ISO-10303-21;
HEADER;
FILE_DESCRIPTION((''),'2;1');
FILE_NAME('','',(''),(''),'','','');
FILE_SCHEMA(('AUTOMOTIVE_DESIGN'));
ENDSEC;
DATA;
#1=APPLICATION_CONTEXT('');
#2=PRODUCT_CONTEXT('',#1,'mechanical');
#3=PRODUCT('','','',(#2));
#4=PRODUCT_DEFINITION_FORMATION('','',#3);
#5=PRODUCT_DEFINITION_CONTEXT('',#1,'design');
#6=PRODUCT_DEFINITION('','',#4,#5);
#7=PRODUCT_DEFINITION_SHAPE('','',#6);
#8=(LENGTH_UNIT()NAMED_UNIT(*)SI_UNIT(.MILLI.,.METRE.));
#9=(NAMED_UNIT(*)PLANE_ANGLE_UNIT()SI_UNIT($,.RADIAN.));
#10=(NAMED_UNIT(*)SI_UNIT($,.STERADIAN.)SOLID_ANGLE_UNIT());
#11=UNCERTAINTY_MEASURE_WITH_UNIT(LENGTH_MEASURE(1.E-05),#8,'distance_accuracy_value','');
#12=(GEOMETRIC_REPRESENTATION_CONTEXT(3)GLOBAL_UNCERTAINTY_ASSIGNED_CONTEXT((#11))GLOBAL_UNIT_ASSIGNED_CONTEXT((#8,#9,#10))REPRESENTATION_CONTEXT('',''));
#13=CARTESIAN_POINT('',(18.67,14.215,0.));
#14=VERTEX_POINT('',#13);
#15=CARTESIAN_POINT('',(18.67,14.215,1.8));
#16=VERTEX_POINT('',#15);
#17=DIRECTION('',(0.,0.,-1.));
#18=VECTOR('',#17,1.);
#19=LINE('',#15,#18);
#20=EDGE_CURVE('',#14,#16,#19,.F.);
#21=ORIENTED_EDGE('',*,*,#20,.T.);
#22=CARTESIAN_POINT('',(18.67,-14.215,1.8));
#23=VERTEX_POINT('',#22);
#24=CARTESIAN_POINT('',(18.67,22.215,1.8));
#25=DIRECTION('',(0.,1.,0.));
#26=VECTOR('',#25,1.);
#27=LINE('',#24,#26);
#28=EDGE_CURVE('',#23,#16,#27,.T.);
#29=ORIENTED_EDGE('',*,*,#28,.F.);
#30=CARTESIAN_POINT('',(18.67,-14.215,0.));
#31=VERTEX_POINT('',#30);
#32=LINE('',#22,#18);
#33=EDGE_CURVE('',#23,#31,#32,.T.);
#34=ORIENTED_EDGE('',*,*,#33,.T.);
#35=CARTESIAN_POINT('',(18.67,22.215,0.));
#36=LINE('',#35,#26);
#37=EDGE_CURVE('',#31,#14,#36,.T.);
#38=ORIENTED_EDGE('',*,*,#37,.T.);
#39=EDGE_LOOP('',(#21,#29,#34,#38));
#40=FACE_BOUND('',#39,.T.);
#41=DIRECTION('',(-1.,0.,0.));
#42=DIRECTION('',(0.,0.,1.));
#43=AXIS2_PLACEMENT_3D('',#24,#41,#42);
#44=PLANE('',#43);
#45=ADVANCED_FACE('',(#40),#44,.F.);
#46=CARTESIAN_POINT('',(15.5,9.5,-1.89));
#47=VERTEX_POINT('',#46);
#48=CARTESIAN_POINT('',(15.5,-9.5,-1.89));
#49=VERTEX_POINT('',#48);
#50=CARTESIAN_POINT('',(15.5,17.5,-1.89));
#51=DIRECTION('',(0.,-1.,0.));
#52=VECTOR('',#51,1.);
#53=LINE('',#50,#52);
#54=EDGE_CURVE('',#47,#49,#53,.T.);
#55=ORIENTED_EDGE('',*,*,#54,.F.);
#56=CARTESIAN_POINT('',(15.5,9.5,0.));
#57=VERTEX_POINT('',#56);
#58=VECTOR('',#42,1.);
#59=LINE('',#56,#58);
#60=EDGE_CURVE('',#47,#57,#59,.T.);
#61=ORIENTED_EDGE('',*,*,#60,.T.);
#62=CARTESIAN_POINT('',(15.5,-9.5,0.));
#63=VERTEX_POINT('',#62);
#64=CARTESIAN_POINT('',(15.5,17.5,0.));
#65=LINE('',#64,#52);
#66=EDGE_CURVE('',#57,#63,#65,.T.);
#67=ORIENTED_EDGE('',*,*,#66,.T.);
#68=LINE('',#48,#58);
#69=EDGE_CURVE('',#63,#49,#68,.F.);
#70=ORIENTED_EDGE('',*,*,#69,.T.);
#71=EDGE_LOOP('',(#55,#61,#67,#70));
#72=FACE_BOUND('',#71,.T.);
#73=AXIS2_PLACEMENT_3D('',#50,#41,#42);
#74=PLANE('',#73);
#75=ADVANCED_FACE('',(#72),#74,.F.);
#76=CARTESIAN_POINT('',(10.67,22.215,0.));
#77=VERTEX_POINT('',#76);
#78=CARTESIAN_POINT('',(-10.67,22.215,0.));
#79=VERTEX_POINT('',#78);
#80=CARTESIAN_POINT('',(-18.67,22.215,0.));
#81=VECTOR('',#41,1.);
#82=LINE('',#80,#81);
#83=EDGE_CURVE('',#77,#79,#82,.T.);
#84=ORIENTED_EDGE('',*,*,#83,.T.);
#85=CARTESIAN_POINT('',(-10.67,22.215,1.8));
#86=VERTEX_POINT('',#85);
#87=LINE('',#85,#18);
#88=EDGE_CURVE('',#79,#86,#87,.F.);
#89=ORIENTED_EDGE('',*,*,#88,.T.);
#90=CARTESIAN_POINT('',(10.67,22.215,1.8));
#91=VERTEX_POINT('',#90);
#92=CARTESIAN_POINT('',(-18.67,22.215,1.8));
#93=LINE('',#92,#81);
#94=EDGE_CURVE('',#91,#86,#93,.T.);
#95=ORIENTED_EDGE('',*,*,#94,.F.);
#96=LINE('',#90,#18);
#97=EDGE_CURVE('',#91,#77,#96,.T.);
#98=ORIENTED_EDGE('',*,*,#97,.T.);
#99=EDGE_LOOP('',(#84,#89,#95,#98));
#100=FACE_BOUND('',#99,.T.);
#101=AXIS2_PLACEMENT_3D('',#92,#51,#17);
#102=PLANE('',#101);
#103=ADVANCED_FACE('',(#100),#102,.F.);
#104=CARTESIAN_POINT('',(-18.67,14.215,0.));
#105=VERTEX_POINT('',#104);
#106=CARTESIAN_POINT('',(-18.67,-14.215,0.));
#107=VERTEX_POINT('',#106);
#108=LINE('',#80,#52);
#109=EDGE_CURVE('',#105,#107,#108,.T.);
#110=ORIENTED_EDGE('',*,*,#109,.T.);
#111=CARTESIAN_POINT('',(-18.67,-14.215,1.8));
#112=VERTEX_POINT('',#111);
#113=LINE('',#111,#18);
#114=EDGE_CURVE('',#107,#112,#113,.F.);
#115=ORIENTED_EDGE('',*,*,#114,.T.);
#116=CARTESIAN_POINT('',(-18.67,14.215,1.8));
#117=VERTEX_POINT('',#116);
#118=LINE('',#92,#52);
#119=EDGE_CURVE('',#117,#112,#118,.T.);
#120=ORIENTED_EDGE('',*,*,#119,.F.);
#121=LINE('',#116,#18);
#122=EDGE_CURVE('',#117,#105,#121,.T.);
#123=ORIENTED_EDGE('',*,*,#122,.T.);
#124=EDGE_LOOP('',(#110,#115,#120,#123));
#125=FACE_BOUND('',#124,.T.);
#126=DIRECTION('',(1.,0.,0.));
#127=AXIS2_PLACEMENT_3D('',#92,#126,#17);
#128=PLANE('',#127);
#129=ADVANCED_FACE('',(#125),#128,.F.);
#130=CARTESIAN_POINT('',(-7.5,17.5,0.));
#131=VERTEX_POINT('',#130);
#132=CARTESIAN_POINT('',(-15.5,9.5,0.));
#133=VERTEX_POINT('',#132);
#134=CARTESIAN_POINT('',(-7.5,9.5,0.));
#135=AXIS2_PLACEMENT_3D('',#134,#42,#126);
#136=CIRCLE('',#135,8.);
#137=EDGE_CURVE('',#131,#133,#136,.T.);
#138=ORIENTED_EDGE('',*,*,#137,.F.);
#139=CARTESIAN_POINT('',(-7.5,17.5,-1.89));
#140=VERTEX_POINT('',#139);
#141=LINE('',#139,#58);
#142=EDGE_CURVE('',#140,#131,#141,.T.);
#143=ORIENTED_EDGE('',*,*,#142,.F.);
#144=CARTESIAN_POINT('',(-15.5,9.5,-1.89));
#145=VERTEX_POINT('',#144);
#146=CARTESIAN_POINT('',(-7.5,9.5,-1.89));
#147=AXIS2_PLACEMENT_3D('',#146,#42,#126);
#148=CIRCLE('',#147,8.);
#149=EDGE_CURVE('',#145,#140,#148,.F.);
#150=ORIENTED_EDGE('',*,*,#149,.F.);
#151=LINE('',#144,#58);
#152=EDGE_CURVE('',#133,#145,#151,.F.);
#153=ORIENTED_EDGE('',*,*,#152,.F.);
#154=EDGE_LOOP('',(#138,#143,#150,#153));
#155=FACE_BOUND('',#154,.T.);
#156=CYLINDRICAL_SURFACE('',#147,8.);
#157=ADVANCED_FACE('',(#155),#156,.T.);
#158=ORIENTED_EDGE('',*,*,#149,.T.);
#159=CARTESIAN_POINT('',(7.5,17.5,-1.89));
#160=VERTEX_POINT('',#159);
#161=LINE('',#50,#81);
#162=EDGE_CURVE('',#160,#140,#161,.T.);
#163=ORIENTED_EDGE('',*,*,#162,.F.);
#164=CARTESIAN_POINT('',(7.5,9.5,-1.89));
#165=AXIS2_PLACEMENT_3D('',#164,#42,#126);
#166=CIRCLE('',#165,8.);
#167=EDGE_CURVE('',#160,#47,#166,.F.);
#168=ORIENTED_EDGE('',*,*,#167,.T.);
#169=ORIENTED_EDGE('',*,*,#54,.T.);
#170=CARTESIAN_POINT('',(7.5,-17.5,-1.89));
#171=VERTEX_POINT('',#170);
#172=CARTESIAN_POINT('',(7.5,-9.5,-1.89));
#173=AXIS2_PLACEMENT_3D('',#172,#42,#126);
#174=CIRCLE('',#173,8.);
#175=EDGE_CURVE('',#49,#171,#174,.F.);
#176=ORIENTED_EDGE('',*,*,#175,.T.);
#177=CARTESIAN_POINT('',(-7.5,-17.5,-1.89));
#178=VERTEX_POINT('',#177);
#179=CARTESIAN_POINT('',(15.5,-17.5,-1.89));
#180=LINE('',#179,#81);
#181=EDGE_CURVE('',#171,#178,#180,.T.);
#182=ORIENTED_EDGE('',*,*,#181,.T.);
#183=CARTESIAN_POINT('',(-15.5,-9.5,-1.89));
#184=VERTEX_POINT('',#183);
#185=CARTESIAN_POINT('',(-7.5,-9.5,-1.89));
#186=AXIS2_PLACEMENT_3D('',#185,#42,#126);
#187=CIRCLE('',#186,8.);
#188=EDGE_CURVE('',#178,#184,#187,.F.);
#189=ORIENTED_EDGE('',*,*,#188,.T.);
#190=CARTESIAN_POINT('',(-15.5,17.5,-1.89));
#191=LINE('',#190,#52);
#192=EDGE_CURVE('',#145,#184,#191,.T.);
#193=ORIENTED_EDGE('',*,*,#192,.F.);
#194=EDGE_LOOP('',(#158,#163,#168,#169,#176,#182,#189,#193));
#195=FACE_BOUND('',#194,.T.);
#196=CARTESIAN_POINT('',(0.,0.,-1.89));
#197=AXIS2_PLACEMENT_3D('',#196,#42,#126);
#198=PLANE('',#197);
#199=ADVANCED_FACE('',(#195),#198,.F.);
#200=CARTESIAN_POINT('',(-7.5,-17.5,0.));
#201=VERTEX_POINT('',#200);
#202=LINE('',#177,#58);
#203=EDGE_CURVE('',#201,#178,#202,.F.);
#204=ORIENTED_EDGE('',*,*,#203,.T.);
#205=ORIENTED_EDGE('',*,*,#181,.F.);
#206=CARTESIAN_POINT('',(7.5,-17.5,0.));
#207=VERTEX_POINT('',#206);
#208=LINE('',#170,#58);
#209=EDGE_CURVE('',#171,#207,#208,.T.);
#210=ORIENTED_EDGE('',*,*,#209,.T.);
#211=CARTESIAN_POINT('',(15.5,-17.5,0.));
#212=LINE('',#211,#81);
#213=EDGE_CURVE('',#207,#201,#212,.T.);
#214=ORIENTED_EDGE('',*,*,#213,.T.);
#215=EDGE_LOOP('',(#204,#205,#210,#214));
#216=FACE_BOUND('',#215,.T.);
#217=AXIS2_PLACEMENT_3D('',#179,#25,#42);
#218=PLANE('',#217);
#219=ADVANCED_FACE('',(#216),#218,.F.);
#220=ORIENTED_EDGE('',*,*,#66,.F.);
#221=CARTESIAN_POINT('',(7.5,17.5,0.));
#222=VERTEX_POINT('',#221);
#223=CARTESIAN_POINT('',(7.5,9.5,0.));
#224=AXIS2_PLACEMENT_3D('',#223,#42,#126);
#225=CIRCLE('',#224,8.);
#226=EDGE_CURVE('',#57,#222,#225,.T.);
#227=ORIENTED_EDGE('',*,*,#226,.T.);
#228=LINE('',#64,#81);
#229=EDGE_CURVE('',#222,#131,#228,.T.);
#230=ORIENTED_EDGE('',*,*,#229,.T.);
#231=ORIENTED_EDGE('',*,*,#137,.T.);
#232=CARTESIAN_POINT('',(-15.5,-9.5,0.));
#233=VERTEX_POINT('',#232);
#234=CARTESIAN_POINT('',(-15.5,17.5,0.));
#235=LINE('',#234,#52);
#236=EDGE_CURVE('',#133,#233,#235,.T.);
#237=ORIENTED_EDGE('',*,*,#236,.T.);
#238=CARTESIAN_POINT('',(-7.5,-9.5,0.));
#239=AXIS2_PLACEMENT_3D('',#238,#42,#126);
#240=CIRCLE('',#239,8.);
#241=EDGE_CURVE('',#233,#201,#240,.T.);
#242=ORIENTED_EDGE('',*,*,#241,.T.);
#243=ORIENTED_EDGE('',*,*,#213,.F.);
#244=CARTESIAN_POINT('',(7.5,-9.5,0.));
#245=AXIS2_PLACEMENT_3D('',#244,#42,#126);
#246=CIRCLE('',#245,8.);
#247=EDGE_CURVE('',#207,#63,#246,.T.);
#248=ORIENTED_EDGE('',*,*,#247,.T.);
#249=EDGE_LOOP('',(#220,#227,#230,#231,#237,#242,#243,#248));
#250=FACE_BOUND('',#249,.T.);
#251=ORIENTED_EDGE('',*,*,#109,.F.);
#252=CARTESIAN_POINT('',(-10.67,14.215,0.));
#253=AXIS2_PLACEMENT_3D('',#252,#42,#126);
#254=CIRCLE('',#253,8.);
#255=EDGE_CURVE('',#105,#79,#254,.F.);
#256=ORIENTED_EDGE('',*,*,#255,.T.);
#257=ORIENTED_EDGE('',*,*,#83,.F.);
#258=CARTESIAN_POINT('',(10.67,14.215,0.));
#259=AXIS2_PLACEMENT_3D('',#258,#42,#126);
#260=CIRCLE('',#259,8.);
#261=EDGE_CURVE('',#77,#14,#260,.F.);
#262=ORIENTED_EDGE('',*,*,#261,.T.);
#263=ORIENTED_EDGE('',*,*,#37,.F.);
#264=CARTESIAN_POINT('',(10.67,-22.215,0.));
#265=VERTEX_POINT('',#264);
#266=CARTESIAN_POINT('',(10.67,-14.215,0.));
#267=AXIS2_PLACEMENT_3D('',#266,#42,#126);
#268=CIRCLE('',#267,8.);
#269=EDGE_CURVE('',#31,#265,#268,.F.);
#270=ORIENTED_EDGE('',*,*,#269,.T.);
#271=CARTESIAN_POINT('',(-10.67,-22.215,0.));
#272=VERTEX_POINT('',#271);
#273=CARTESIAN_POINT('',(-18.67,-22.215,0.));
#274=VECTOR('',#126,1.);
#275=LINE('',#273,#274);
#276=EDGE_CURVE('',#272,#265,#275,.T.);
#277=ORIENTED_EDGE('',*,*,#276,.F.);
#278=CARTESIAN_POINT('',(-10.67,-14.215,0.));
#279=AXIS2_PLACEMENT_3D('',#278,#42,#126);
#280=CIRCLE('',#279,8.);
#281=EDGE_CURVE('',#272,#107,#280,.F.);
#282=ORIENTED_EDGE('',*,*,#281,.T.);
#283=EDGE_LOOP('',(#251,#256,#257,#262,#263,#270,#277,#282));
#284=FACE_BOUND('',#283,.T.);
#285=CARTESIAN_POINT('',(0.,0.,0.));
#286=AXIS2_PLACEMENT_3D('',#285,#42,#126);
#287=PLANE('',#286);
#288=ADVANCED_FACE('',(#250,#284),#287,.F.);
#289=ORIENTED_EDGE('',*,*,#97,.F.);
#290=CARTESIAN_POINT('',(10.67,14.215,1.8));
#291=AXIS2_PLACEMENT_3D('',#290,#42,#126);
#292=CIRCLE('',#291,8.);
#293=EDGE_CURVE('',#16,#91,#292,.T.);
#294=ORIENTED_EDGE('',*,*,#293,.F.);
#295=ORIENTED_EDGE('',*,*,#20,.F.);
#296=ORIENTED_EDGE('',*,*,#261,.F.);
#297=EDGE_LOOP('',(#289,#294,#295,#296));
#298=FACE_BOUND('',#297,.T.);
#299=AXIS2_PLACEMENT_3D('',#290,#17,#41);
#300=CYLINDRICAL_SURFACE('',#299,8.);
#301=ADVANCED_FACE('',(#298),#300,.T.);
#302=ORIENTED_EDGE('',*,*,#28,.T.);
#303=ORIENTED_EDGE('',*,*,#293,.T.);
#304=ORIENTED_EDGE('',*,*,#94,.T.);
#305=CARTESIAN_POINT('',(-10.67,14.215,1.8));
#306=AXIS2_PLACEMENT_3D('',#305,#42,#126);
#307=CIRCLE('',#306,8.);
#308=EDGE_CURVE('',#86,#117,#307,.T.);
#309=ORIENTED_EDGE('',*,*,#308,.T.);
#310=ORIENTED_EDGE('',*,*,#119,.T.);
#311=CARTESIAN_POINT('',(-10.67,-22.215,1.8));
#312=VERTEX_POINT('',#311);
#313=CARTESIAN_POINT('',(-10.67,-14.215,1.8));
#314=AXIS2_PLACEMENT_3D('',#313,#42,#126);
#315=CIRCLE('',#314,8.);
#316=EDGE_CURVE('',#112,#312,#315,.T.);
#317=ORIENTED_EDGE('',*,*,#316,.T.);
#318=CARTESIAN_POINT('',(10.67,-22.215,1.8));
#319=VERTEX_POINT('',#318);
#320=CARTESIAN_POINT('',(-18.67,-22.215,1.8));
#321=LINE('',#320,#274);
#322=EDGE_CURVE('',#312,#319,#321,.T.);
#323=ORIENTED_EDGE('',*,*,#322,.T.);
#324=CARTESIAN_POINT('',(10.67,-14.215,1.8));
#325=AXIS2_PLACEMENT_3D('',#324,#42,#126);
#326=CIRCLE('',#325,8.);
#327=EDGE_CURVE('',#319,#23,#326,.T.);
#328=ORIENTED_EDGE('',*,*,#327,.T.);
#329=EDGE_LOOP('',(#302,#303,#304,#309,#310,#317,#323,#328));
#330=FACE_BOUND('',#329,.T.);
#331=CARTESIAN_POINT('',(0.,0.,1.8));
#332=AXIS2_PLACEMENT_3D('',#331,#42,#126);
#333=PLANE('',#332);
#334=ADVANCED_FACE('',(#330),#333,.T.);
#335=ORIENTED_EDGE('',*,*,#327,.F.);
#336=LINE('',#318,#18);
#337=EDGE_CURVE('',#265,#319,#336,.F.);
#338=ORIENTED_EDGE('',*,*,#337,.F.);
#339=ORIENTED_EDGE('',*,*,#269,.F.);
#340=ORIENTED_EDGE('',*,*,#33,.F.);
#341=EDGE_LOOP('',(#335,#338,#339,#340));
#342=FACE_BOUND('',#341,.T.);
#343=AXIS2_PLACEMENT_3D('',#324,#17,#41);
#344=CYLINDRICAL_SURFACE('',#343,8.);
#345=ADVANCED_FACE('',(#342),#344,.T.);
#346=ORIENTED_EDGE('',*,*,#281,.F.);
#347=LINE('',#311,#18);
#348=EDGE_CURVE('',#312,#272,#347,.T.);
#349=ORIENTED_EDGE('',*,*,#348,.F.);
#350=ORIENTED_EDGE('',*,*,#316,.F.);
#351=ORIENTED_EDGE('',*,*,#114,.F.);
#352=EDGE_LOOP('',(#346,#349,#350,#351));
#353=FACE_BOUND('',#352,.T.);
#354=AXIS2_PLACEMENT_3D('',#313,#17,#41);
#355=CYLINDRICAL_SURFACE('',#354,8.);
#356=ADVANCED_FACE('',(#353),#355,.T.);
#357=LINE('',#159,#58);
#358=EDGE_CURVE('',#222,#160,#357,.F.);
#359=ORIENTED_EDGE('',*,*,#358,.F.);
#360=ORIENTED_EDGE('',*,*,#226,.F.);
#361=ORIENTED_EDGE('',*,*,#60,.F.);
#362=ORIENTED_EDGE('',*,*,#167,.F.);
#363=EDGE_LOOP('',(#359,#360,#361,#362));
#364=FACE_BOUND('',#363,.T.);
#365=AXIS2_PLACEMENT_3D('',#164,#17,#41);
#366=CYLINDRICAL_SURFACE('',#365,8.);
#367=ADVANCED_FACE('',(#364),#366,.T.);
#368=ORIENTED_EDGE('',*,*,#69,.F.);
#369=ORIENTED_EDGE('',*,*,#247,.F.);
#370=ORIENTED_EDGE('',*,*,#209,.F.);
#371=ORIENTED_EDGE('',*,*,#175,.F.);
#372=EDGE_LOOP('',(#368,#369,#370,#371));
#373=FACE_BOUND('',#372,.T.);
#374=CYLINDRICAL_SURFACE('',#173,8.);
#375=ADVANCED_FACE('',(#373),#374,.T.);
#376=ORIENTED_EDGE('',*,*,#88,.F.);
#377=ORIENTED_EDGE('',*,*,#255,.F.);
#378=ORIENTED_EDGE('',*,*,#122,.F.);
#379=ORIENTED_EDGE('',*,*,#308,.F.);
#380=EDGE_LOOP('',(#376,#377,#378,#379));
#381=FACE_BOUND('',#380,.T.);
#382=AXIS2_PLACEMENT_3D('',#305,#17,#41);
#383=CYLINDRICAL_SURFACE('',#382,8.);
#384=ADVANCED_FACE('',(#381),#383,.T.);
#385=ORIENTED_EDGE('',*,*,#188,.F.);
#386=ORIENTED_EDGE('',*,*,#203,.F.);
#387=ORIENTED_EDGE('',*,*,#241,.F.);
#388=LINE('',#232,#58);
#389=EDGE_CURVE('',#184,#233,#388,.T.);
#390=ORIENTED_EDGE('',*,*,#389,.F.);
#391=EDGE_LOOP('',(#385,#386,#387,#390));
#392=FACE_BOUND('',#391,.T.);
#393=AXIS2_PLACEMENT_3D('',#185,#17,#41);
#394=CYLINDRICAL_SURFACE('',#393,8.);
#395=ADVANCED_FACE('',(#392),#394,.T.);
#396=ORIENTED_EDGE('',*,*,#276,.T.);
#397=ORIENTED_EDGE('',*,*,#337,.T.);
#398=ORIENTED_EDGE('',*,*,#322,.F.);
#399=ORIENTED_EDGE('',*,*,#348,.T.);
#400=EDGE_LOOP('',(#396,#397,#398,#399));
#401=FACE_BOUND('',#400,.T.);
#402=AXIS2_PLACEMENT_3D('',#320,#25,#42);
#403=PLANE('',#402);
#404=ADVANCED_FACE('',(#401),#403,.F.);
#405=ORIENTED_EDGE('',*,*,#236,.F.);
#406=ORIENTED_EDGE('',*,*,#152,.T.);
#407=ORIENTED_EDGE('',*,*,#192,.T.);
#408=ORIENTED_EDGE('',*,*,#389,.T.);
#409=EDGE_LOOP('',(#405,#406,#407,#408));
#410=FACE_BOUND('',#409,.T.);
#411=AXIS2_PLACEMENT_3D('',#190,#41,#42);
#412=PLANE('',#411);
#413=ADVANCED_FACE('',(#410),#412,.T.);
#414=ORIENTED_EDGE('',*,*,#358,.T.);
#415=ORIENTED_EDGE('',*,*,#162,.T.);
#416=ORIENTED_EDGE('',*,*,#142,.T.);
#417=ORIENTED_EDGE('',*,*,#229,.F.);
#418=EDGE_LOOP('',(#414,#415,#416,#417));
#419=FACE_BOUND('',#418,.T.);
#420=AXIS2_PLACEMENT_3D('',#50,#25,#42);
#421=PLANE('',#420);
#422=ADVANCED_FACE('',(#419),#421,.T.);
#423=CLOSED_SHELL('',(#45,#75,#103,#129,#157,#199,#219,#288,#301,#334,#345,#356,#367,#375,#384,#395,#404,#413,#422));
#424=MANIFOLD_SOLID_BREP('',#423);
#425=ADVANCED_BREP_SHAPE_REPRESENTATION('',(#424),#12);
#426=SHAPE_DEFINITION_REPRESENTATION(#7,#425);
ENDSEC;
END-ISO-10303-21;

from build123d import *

# Parameters (mm, degrees)
SKETCH_2_W      = 37.34
SKETCH_2_H      = 44.43
EXTRUDE_1_DEPTH = 1.8
SKETCH_4_W      = 31
SKETCH_4_H      = 35
EXTRUDE_3_DEPTH = 1.89
FILLET_1_R      = 8
FILLET_2_R      = 8


with BuildPart() as part:
    # 草图2 → 凸台-拉伸1 (new body)
    with BuildSketch(Plane.XY):
        Rectangle(SKETCH_2_W, SKETCH_2_H)
    extrude(amount=EXTRUDE_1_DEPTH)

    # 草图4 → 凸台-拉伸3 (add)
    with BuildSketch(Plane(origin=(0, 0, 0), x_dir=(-1, 0, 0), z_dir=(0, 0, -1))):
        Rectangle(SKETCH_4_W, SKETCH_4_H)
    extrude(amount=EXTRUDE_3_DEPTH)

    # 圆角1
    fillet_1_edges = [part.edges().sort_by_distance(p)[0] for p in [
        (18.67, -22.215, 0.9),
        (-18.67, -22.215, 0.9),
        (-18.67, 22.215, 0.9),
        (18.67, 22.215, 0.9),
    ]]
    fillet(fillet_1_edges, radius=FILLET_1_R)

    # 圆角2
    fillet_2_edges = [part.edges().sort_by_distance(p)[0] for p in [
        (15.5, -17.5, -0.945),
        (-15.5, -17.5, -0.945),
        (-15.5, 17.5, -0.945),
        (15.5, 17.5, -0.945),
    ]]
    fillet(fillet_2_edges, radius=FILLET_2_R)


solid = part.part
